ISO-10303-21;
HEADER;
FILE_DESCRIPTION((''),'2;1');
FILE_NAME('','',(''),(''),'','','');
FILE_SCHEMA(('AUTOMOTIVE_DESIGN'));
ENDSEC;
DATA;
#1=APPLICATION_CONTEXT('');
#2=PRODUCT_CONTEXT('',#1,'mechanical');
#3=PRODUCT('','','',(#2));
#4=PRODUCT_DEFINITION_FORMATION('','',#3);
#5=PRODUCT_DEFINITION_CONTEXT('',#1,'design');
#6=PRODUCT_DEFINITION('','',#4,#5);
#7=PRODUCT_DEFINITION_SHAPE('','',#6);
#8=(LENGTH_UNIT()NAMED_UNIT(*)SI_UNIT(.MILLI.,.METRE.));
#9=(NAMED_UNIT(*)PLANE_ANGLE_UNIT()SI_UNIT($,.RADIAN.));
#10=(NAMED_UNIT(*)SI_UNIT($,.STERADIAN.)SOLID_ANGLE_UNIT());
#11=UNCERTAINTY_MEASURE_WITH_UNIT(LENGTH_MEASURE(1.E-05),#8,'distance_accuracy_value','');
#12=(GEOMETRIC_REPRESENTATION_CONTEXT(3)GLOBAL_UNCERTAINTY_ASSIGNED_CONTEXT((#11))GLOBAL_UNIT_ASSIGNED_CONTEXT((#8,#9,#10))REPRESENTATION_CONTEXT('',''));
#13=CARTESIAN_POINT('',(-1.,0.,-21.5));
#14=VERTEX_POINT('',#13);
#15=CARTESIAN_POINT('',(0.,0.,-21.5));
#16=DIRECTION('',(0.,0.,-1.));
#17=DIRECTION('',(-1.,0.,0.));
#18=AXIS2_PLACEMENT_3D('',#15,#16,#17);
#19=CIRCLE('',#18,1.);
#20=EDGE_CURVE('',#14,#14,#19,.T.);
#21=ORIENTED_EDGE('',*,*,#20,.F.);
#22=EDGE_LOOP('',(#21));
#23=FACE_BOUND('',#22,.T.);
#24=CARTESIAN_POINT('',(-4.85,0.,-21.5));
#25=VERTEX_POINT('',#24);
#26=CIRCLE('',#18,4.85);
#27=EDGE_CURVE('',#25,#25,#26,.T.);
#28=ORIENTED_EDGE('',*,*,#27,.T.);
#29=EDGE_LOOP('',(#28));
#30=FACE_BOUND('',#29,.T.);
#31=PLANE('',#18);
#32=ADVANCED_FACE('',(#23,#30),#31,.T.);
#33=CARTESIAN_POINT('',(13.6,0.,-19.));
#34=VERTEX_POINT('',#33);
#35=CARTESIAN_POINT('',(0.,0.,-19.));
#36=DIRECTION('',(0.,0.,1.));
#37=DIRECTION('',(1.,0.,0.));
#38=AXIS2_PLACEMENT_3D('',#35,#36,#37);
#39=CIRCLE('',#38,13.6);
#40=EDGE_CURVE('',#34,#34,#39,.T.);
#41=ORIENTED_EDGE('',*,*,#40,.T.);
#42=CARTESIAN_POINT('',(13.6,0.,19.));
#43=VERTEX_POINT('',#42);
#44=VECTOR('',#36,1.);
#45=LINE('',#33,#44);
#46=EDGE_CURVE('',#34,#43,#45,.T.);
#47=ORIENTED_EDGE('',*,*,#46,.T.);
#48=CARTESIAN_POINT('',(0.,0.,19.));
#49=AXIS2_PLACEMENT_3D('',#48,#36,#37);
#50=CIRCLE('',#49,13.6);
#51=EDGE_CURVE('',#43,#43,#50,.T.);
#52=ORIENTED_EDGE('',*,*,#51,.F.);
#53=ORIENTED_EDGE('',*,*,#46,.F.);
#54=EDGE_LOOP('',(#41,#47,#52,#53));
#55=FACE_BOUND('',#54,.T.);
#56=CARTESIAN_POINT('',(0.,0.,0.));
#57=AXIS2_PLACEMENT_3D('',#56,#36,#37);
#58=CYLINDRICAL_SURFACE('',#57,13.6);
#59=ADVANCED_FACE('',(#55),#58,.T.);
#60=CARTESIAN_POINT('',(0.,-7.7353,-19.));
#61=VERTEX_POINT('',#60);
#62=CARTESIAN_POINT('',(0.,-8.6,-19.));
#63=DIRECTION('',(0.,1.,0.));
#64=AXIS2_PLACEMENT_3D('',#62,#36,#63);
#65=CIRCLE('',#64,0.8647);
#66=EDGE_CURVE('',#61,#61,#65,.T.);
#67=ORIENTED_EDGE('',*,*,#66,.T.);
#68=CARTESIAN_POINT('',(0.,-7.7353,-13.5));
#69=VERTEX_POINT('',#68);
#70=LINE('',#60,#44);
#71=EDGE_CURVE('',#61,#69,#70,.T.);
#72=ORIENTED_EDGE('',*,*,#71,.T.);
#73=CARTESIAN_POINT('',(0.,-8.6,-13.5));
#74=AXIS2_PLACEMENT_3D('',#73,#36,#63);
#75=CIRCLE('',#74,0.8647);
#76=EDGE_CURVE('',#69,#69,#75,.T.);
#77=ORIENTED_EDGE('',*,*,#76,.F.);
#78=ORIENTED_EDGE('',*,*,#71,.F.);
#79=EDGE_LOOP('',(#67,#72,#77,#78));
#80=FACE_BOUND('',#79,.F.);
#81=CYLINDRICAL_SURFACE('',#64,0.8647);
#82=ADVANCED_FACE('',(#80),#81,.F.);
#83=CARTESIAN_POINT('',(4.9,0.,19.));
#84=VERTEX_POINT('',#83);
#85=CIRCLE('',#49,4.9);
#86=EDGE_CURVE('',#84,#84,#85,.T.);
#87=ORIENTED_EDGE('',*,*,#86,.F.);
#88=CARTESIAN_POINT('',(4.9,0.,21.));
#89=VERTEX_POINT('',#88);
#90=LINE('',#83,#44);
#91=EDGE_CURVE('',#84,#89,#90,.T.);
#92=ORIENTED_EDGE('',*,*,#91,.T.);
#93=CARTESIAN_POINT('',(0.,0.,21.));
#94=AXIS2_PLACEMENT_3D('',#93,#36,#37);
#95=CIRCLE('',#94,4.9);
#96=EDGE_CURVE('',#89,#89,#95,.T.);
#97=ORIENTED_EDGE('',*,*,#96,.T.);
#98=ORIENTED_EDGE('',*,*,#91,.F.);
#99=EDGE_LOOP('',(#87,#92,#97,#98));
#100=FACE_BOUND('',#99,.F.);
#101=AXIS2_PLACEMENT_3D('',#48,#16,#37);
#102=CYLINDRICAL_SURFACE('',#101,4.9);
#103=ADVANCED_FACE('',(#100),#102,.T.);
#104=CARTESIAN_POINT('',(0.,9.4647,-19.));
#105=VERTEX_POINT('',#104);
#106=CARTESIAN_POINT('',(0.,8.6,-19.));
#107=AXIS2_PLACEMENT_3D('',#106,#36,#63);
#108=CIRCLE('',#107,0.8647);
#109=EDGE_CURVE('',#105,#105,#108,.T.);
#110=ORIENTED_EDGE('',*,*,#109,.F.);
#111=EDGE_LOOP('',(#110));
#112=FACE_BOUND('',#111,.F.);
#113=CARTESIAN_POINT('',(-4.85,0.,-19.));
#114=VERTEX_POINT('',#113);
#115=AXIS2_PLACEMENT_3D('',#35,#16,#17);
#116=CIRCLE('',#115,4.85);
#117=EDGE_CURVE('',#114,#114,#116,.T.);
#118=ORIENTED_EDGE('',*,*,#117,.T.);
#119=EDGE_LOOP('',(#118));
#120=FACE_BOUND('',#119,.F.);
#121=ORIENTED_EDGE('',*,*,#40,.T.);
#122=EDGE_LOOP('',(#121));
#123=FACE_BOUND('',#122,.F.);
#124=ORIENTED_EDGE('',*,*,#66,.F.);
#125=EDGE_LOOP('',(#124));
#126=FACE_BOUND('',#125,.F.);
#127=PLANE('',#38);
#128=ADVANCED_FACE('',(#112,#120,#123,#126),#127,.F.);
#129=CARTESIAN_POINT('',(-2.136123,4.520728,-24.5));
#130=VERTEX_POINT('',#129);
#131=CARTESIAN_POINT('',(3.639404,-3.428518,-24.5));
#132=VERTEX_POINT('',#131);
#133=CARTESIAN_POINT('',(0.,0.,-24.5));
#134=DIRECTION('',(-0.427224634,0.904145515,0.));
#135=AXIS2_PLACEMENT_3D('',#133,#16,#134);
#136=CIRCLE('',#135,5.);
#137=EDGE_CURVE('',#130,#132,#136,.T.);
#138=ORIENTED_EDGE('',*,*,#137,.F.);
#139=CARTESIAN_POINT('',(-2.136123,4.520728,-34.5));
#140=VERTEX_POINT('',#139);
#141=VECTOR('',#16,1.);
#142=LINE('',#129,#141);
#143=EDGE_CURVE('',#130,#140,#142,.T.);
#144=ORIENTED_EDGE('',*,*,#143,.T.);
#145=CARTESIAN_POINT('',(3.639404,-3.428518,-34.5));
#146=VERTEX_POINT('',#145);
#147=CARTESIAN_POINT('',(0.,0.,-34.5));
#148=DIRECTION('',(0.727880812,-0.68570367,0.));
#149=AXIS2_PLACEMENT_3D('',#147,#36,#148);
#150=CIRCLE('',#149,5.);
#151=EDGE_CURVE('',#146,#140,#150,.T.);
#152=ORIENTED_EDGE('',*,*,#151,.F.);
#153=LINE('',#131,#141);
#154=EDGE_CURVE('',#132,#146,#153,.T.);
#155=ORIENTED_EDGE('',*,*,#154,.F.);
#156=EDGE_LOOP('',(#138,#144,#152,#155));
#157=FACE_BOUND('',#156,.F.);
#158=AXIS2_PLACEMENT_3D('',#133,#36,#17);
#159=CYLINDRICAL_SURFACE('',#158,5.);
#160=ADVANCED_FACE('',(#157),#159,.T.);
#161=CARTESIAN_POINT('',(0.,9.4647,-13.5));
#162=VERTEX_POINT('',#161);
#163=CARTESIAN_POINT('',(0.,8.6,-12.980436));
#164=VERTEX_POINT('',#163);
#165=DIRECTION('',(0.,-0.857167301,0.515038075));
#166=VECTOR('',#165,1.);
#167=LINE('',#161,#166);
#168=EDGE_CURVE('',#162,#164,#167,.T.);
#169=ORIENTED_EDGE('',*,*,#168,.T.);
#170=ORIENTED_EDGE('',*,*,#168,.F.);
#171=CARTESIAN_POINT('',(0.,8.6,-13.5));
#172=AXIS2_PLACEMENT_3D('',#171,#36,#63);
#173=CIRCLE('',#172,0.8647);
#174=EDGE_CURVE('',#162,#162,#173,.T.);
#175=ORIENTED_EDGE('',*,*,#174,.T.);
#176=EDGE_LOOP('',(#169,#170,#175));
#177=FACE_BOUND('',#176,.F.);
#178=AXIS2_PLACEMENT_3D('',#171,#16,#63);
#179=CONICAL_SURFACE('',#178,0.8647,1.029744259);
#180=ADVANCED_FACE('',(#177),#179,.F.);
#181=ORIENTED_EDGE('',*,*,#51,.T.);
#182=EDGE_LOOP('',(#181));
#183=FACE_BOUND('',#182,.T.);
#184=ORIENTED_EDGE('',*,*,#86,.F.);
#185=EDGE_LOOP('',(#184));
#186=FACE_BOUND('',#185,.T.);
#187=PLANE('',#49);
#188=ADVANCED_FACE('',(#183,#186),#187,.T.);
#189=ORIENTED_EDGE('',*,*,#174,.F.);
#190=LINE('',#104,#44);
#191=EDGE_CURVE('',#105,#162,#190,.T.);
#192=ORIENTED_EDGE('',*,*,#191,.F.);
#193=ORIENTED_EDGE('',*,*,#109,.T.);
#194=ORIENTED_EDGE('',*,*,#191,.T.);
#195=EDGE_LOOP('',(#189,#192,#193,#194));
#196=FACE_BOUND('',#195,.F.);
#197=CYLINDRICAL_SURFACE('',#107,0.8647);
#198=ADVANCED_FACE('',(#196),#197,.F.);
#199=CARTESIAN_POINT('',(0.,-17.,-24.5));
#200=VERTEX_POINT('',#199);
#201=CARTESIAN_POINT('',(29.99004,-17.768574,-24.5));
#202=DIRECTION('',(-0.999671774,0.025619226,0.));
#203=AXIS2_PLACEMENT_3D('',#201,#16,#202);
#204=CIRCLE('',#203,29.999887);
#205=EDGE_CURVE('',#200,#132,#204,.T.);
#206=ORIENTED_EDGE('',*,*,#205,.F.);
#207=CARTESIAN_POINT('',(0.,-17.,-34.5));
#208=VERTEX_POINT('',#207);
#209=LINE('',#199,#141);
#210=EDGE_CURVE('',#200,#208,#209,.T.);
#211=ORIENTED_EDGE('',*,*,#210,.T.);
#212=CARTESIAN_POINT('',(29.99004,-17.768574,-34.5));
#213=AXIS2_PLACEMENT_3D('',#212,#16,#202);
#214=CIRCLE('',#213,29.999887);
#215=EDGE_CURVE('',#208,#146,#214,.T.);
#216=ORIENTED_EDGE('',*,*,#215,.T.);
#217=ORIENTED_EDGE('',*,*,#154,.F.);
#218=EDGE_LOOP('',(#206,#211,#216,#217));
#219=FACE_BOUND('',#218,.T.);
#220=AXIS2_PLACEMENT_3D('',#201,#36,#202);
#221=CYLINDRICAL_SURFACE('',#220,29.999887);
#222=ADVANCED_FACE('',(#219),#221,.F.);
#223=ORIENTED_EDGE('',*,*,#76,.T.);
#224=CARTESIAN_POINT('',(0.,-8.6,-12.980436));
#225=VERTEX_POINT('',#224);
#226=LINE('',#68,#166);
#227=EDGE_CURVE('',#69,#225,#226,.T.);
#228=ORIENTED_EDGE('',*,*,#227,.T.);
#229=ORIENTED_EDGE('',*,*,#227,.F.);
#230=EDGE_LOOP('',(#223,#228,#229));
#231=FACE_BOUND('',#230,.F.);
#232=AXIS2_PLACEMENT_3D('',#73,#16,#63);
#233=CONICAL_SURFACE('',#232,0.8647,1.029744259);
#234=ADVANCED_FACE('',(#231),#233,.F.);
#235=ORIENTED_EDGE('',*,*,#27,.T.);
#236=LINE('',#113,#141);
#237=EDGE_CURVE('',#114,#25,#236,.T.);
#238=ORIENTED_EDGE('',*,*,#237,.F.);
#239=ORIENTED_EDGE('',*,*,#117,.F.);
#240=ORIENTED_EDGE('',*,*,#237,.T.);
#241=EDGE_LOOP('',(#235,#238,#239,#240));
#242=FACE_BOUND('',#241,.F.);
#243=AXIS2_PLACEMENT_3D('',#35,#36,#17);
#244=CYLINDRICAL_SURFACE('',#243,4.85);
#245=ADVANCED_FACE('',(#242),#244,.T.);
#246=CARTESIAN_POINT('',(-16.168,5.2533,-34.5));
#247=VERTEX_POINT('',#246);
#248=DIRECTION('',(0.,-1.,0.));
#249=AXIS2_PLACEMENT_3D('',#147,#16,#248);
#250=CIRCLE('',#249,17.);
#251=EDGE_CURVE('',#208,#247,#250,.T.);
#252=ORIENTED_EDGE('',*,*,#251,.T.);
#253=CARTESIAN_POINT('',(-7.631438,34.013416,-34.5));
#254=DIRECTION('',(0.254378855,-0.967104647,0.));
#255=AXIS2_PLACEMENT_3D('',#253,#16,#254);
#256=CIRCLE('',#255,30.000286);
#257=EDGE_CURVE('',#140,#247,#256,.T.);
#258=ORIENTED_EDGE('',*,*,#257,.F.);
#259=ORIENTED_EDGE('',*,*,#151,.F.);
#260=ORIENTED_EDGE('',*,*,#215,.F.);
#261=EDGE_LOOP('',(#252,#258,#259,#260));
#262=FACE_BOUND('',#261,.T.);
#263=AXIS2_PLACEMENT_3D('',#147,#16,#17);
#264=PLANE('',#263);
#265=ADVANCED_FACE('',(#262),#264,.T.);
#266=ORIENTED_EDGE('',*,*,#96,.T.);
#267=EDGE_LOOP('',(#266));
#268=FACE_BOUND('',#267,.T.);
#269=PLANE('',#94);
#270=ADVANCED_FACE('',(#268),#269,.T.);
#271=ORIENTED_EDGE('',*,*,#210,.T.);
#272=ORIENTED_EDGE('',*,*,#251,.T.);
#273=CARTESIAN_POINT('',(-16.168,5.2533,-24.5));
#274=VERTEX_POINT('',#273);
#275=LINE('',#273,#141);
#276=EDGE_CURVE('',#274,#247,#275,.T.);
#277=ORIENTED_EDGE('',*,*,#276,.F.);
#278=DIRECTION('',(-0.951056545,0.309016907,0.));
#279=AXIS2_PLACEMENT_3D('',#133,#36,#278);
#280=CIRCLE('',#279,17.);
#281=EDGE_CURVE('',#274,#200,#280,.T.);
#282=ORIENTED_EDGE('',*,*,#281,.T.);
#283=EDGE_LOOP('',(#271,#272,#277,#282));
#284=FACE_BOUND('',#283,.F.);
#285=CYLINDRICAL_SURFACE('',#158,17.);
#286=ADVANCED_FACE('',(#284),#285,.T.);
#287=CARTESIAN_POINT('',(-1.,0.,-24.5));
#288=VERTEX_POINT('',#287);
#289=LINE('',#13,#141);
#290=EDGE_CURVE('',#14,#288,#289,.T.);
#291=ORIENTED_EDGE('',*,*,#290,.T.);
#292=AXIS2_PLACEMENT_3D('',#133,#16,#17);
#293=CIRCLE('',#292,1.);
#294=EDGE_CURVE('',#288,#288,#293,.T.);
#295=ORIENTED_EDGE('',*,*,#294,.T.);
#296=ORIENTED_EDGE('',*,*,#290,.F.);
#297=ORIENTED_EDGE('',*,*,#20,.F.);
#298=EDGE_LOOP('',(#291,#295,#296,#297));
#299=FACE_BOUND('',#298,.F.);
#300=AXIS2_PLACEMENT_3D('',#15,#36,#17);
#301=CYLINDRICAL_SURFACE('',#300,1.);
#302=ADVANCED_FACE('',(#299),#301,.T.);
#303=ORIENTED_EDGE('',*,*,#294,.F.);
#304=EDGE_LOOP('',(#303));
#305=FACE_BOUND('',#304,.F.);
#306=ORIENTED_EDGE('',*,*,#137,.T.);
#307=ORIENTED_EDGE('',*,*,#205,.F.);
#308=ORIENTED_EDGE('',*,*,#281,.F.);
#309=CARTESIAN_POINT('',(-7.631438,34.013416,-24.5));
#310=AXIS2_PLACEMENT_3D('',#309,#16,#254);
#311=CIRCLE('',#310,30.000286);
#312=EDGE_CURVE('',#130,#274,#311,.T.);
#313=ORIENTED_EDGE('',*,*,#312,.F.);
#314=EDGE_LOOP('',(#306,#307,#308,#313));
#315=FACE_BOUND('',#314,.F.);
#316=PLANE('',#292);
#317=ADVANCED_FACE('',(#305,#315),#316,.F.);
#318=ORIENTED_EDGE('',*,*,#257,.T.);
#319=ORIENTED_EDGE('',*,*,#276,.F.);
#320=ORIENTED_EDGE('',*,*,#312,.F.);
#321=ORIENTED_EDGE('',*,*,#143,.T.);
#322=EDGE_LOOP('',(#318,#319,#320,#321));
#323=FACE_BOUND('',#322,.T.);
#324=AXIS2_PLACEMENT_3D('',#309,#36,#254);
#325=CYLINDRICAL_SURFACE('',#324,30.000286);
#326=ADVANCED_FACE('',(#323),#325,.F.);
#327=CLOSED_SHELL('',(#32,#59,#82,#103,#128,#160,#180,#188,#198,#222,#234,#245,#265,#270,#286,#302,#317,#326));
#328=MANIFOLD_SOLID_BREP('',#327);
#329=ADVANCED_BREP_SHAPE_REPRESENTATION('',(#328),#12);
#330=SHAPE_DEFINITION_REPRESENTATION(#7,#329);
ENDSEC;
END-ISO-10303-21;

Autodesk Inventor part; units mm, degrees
ref_plane "YZ Plane" through (0, 0, 0) normal (1, 0, 0) x (0, 1, 0)
ref_plane "XZ Plane" through (0, 0, 0) normal (0, 1, 0) x (-1, 0, 0)
ref_plane "XY Plane" through (0, 0, 0) normal (0, 0, 1) x (1, 0, 0)
sketch "スケッチ1" plane through (0, 0, 0) normal (0, 0, 1) x (1, 0, 0)
  circle A0 centre (0, 0) radius 13.6
  dimension "d0" = 27.2
extrude "押し出し1" add sketch "スケッチ1" along normal mid plane 38
sketch "スケッチ2" plane through (0, 0, 19) normal (0, 0, 1) x (1, 0, 0)
  circle A0 centre (0, 0) radius 4.9
  dimension "d3" = 9.8
extrude "押し出し2" add sketch "スケッチ2" along normal blind 2
sketch "スケッチ3" plane through (0, 0, -19) normal (0, 0, -1) x (-1, 0, 0)
  circle A0 centre (0, 0) radius 4.85
  dimension "d6" = 9.7
extrude "押し出し3" add sketch "スケッチ3" along normal blind 2.5
sketch "スケッチ4" plane through (0, 0, -21.5) normal (0, 0, -1) x (-1, 0, 0)
  circle A0 centre (0, 0) radius 4.85 projected
  circle A1 centre (0, 0) radius 1
  dimension "d9" = 2
extrude "押し出し4" add sketch "スケッチ4" along normal blind 3 contours A1
sketch "スケッチ5" plane through (0, 0, -24.5) normal (0, 0, -1) x (-1, 0, 0)
  circle A0 centre (0, 0) radius 5
  circle A1 centre (0, 0) radius 1 projected
  circle A2 centre (0, 0) radius 17
  line L0 (0, 0) -> (0, -17)
  line L1 (0, 0) -> (16.168, 5.2533)
  circle A3 centre (0, 0) radius 4.85 projected
  line L2 (0, 0) -> (-4.7553, -1.5451)
  line L3 (0, 0) -> (0, 5)
  arc A4 (0, -17) -> (-4.7553, -1.5451) centre (-29.9902, -17.7686) ccw
  arc A5 (0, 5) -> (16.168, 5.2533) centre (7.6314, 34.0131) ccw
  point P0 (2.1361, 4.5207)
  point P1 (-3.6394, -3.4286)
  dimension "d12" = 10
  dimension "d13" = 34
  dimension "d14" = 108
  dimension "d15" = 108
  dimension "d16" = 72
  dimension "d17" = 30
  dimension "d18" = 30
extrude "押し出し5" add sketch "スケッチ5" along normal blind 10 contours L3 A3 L2 A0 | A5 A0 L1 A3 L3 | A0 A5 | A4 A0 | L2 A3 L0 A0 A4 | A5 L1 A0 | L3 A1 L2 A3 | A3 L1 A1 L3 | A0 L0 A4 | L2 A1 L0 A3 | L1 A2 L0 A0 | A0 L0 A3 L1 | A3 L0 A1 L1 | L3 L2 A1 | A1 L1 L3 | L2 L0 A1 | A1 L0 L1
sketch "スケッチ6" plane through (0, 0, -19) normal (0, 0, -1) x (-1, 0, 0)
  circle A0 centre (0, 0) radius 4.85 projected
  circle A1 centre (0, 0) radius 13.6 projected
  point P0 (0, 8.6)
  point P1 (0, -8.6)
  dimension "d21" = 8.6
  dimension "d22" = 8.6
hole "穴1" at (0, 8.6, -19) at (0, -8.6, -19) direction (0, 0, 1) diameter 1.7294 depth 5.5 tip angle 118 thread size "M2x0.25" class "6H" standard "ISO Metric profile"
equation "\"d15\" = d14"
equation "\"d22\" = d21"
properties part number "Vibration_motor"
